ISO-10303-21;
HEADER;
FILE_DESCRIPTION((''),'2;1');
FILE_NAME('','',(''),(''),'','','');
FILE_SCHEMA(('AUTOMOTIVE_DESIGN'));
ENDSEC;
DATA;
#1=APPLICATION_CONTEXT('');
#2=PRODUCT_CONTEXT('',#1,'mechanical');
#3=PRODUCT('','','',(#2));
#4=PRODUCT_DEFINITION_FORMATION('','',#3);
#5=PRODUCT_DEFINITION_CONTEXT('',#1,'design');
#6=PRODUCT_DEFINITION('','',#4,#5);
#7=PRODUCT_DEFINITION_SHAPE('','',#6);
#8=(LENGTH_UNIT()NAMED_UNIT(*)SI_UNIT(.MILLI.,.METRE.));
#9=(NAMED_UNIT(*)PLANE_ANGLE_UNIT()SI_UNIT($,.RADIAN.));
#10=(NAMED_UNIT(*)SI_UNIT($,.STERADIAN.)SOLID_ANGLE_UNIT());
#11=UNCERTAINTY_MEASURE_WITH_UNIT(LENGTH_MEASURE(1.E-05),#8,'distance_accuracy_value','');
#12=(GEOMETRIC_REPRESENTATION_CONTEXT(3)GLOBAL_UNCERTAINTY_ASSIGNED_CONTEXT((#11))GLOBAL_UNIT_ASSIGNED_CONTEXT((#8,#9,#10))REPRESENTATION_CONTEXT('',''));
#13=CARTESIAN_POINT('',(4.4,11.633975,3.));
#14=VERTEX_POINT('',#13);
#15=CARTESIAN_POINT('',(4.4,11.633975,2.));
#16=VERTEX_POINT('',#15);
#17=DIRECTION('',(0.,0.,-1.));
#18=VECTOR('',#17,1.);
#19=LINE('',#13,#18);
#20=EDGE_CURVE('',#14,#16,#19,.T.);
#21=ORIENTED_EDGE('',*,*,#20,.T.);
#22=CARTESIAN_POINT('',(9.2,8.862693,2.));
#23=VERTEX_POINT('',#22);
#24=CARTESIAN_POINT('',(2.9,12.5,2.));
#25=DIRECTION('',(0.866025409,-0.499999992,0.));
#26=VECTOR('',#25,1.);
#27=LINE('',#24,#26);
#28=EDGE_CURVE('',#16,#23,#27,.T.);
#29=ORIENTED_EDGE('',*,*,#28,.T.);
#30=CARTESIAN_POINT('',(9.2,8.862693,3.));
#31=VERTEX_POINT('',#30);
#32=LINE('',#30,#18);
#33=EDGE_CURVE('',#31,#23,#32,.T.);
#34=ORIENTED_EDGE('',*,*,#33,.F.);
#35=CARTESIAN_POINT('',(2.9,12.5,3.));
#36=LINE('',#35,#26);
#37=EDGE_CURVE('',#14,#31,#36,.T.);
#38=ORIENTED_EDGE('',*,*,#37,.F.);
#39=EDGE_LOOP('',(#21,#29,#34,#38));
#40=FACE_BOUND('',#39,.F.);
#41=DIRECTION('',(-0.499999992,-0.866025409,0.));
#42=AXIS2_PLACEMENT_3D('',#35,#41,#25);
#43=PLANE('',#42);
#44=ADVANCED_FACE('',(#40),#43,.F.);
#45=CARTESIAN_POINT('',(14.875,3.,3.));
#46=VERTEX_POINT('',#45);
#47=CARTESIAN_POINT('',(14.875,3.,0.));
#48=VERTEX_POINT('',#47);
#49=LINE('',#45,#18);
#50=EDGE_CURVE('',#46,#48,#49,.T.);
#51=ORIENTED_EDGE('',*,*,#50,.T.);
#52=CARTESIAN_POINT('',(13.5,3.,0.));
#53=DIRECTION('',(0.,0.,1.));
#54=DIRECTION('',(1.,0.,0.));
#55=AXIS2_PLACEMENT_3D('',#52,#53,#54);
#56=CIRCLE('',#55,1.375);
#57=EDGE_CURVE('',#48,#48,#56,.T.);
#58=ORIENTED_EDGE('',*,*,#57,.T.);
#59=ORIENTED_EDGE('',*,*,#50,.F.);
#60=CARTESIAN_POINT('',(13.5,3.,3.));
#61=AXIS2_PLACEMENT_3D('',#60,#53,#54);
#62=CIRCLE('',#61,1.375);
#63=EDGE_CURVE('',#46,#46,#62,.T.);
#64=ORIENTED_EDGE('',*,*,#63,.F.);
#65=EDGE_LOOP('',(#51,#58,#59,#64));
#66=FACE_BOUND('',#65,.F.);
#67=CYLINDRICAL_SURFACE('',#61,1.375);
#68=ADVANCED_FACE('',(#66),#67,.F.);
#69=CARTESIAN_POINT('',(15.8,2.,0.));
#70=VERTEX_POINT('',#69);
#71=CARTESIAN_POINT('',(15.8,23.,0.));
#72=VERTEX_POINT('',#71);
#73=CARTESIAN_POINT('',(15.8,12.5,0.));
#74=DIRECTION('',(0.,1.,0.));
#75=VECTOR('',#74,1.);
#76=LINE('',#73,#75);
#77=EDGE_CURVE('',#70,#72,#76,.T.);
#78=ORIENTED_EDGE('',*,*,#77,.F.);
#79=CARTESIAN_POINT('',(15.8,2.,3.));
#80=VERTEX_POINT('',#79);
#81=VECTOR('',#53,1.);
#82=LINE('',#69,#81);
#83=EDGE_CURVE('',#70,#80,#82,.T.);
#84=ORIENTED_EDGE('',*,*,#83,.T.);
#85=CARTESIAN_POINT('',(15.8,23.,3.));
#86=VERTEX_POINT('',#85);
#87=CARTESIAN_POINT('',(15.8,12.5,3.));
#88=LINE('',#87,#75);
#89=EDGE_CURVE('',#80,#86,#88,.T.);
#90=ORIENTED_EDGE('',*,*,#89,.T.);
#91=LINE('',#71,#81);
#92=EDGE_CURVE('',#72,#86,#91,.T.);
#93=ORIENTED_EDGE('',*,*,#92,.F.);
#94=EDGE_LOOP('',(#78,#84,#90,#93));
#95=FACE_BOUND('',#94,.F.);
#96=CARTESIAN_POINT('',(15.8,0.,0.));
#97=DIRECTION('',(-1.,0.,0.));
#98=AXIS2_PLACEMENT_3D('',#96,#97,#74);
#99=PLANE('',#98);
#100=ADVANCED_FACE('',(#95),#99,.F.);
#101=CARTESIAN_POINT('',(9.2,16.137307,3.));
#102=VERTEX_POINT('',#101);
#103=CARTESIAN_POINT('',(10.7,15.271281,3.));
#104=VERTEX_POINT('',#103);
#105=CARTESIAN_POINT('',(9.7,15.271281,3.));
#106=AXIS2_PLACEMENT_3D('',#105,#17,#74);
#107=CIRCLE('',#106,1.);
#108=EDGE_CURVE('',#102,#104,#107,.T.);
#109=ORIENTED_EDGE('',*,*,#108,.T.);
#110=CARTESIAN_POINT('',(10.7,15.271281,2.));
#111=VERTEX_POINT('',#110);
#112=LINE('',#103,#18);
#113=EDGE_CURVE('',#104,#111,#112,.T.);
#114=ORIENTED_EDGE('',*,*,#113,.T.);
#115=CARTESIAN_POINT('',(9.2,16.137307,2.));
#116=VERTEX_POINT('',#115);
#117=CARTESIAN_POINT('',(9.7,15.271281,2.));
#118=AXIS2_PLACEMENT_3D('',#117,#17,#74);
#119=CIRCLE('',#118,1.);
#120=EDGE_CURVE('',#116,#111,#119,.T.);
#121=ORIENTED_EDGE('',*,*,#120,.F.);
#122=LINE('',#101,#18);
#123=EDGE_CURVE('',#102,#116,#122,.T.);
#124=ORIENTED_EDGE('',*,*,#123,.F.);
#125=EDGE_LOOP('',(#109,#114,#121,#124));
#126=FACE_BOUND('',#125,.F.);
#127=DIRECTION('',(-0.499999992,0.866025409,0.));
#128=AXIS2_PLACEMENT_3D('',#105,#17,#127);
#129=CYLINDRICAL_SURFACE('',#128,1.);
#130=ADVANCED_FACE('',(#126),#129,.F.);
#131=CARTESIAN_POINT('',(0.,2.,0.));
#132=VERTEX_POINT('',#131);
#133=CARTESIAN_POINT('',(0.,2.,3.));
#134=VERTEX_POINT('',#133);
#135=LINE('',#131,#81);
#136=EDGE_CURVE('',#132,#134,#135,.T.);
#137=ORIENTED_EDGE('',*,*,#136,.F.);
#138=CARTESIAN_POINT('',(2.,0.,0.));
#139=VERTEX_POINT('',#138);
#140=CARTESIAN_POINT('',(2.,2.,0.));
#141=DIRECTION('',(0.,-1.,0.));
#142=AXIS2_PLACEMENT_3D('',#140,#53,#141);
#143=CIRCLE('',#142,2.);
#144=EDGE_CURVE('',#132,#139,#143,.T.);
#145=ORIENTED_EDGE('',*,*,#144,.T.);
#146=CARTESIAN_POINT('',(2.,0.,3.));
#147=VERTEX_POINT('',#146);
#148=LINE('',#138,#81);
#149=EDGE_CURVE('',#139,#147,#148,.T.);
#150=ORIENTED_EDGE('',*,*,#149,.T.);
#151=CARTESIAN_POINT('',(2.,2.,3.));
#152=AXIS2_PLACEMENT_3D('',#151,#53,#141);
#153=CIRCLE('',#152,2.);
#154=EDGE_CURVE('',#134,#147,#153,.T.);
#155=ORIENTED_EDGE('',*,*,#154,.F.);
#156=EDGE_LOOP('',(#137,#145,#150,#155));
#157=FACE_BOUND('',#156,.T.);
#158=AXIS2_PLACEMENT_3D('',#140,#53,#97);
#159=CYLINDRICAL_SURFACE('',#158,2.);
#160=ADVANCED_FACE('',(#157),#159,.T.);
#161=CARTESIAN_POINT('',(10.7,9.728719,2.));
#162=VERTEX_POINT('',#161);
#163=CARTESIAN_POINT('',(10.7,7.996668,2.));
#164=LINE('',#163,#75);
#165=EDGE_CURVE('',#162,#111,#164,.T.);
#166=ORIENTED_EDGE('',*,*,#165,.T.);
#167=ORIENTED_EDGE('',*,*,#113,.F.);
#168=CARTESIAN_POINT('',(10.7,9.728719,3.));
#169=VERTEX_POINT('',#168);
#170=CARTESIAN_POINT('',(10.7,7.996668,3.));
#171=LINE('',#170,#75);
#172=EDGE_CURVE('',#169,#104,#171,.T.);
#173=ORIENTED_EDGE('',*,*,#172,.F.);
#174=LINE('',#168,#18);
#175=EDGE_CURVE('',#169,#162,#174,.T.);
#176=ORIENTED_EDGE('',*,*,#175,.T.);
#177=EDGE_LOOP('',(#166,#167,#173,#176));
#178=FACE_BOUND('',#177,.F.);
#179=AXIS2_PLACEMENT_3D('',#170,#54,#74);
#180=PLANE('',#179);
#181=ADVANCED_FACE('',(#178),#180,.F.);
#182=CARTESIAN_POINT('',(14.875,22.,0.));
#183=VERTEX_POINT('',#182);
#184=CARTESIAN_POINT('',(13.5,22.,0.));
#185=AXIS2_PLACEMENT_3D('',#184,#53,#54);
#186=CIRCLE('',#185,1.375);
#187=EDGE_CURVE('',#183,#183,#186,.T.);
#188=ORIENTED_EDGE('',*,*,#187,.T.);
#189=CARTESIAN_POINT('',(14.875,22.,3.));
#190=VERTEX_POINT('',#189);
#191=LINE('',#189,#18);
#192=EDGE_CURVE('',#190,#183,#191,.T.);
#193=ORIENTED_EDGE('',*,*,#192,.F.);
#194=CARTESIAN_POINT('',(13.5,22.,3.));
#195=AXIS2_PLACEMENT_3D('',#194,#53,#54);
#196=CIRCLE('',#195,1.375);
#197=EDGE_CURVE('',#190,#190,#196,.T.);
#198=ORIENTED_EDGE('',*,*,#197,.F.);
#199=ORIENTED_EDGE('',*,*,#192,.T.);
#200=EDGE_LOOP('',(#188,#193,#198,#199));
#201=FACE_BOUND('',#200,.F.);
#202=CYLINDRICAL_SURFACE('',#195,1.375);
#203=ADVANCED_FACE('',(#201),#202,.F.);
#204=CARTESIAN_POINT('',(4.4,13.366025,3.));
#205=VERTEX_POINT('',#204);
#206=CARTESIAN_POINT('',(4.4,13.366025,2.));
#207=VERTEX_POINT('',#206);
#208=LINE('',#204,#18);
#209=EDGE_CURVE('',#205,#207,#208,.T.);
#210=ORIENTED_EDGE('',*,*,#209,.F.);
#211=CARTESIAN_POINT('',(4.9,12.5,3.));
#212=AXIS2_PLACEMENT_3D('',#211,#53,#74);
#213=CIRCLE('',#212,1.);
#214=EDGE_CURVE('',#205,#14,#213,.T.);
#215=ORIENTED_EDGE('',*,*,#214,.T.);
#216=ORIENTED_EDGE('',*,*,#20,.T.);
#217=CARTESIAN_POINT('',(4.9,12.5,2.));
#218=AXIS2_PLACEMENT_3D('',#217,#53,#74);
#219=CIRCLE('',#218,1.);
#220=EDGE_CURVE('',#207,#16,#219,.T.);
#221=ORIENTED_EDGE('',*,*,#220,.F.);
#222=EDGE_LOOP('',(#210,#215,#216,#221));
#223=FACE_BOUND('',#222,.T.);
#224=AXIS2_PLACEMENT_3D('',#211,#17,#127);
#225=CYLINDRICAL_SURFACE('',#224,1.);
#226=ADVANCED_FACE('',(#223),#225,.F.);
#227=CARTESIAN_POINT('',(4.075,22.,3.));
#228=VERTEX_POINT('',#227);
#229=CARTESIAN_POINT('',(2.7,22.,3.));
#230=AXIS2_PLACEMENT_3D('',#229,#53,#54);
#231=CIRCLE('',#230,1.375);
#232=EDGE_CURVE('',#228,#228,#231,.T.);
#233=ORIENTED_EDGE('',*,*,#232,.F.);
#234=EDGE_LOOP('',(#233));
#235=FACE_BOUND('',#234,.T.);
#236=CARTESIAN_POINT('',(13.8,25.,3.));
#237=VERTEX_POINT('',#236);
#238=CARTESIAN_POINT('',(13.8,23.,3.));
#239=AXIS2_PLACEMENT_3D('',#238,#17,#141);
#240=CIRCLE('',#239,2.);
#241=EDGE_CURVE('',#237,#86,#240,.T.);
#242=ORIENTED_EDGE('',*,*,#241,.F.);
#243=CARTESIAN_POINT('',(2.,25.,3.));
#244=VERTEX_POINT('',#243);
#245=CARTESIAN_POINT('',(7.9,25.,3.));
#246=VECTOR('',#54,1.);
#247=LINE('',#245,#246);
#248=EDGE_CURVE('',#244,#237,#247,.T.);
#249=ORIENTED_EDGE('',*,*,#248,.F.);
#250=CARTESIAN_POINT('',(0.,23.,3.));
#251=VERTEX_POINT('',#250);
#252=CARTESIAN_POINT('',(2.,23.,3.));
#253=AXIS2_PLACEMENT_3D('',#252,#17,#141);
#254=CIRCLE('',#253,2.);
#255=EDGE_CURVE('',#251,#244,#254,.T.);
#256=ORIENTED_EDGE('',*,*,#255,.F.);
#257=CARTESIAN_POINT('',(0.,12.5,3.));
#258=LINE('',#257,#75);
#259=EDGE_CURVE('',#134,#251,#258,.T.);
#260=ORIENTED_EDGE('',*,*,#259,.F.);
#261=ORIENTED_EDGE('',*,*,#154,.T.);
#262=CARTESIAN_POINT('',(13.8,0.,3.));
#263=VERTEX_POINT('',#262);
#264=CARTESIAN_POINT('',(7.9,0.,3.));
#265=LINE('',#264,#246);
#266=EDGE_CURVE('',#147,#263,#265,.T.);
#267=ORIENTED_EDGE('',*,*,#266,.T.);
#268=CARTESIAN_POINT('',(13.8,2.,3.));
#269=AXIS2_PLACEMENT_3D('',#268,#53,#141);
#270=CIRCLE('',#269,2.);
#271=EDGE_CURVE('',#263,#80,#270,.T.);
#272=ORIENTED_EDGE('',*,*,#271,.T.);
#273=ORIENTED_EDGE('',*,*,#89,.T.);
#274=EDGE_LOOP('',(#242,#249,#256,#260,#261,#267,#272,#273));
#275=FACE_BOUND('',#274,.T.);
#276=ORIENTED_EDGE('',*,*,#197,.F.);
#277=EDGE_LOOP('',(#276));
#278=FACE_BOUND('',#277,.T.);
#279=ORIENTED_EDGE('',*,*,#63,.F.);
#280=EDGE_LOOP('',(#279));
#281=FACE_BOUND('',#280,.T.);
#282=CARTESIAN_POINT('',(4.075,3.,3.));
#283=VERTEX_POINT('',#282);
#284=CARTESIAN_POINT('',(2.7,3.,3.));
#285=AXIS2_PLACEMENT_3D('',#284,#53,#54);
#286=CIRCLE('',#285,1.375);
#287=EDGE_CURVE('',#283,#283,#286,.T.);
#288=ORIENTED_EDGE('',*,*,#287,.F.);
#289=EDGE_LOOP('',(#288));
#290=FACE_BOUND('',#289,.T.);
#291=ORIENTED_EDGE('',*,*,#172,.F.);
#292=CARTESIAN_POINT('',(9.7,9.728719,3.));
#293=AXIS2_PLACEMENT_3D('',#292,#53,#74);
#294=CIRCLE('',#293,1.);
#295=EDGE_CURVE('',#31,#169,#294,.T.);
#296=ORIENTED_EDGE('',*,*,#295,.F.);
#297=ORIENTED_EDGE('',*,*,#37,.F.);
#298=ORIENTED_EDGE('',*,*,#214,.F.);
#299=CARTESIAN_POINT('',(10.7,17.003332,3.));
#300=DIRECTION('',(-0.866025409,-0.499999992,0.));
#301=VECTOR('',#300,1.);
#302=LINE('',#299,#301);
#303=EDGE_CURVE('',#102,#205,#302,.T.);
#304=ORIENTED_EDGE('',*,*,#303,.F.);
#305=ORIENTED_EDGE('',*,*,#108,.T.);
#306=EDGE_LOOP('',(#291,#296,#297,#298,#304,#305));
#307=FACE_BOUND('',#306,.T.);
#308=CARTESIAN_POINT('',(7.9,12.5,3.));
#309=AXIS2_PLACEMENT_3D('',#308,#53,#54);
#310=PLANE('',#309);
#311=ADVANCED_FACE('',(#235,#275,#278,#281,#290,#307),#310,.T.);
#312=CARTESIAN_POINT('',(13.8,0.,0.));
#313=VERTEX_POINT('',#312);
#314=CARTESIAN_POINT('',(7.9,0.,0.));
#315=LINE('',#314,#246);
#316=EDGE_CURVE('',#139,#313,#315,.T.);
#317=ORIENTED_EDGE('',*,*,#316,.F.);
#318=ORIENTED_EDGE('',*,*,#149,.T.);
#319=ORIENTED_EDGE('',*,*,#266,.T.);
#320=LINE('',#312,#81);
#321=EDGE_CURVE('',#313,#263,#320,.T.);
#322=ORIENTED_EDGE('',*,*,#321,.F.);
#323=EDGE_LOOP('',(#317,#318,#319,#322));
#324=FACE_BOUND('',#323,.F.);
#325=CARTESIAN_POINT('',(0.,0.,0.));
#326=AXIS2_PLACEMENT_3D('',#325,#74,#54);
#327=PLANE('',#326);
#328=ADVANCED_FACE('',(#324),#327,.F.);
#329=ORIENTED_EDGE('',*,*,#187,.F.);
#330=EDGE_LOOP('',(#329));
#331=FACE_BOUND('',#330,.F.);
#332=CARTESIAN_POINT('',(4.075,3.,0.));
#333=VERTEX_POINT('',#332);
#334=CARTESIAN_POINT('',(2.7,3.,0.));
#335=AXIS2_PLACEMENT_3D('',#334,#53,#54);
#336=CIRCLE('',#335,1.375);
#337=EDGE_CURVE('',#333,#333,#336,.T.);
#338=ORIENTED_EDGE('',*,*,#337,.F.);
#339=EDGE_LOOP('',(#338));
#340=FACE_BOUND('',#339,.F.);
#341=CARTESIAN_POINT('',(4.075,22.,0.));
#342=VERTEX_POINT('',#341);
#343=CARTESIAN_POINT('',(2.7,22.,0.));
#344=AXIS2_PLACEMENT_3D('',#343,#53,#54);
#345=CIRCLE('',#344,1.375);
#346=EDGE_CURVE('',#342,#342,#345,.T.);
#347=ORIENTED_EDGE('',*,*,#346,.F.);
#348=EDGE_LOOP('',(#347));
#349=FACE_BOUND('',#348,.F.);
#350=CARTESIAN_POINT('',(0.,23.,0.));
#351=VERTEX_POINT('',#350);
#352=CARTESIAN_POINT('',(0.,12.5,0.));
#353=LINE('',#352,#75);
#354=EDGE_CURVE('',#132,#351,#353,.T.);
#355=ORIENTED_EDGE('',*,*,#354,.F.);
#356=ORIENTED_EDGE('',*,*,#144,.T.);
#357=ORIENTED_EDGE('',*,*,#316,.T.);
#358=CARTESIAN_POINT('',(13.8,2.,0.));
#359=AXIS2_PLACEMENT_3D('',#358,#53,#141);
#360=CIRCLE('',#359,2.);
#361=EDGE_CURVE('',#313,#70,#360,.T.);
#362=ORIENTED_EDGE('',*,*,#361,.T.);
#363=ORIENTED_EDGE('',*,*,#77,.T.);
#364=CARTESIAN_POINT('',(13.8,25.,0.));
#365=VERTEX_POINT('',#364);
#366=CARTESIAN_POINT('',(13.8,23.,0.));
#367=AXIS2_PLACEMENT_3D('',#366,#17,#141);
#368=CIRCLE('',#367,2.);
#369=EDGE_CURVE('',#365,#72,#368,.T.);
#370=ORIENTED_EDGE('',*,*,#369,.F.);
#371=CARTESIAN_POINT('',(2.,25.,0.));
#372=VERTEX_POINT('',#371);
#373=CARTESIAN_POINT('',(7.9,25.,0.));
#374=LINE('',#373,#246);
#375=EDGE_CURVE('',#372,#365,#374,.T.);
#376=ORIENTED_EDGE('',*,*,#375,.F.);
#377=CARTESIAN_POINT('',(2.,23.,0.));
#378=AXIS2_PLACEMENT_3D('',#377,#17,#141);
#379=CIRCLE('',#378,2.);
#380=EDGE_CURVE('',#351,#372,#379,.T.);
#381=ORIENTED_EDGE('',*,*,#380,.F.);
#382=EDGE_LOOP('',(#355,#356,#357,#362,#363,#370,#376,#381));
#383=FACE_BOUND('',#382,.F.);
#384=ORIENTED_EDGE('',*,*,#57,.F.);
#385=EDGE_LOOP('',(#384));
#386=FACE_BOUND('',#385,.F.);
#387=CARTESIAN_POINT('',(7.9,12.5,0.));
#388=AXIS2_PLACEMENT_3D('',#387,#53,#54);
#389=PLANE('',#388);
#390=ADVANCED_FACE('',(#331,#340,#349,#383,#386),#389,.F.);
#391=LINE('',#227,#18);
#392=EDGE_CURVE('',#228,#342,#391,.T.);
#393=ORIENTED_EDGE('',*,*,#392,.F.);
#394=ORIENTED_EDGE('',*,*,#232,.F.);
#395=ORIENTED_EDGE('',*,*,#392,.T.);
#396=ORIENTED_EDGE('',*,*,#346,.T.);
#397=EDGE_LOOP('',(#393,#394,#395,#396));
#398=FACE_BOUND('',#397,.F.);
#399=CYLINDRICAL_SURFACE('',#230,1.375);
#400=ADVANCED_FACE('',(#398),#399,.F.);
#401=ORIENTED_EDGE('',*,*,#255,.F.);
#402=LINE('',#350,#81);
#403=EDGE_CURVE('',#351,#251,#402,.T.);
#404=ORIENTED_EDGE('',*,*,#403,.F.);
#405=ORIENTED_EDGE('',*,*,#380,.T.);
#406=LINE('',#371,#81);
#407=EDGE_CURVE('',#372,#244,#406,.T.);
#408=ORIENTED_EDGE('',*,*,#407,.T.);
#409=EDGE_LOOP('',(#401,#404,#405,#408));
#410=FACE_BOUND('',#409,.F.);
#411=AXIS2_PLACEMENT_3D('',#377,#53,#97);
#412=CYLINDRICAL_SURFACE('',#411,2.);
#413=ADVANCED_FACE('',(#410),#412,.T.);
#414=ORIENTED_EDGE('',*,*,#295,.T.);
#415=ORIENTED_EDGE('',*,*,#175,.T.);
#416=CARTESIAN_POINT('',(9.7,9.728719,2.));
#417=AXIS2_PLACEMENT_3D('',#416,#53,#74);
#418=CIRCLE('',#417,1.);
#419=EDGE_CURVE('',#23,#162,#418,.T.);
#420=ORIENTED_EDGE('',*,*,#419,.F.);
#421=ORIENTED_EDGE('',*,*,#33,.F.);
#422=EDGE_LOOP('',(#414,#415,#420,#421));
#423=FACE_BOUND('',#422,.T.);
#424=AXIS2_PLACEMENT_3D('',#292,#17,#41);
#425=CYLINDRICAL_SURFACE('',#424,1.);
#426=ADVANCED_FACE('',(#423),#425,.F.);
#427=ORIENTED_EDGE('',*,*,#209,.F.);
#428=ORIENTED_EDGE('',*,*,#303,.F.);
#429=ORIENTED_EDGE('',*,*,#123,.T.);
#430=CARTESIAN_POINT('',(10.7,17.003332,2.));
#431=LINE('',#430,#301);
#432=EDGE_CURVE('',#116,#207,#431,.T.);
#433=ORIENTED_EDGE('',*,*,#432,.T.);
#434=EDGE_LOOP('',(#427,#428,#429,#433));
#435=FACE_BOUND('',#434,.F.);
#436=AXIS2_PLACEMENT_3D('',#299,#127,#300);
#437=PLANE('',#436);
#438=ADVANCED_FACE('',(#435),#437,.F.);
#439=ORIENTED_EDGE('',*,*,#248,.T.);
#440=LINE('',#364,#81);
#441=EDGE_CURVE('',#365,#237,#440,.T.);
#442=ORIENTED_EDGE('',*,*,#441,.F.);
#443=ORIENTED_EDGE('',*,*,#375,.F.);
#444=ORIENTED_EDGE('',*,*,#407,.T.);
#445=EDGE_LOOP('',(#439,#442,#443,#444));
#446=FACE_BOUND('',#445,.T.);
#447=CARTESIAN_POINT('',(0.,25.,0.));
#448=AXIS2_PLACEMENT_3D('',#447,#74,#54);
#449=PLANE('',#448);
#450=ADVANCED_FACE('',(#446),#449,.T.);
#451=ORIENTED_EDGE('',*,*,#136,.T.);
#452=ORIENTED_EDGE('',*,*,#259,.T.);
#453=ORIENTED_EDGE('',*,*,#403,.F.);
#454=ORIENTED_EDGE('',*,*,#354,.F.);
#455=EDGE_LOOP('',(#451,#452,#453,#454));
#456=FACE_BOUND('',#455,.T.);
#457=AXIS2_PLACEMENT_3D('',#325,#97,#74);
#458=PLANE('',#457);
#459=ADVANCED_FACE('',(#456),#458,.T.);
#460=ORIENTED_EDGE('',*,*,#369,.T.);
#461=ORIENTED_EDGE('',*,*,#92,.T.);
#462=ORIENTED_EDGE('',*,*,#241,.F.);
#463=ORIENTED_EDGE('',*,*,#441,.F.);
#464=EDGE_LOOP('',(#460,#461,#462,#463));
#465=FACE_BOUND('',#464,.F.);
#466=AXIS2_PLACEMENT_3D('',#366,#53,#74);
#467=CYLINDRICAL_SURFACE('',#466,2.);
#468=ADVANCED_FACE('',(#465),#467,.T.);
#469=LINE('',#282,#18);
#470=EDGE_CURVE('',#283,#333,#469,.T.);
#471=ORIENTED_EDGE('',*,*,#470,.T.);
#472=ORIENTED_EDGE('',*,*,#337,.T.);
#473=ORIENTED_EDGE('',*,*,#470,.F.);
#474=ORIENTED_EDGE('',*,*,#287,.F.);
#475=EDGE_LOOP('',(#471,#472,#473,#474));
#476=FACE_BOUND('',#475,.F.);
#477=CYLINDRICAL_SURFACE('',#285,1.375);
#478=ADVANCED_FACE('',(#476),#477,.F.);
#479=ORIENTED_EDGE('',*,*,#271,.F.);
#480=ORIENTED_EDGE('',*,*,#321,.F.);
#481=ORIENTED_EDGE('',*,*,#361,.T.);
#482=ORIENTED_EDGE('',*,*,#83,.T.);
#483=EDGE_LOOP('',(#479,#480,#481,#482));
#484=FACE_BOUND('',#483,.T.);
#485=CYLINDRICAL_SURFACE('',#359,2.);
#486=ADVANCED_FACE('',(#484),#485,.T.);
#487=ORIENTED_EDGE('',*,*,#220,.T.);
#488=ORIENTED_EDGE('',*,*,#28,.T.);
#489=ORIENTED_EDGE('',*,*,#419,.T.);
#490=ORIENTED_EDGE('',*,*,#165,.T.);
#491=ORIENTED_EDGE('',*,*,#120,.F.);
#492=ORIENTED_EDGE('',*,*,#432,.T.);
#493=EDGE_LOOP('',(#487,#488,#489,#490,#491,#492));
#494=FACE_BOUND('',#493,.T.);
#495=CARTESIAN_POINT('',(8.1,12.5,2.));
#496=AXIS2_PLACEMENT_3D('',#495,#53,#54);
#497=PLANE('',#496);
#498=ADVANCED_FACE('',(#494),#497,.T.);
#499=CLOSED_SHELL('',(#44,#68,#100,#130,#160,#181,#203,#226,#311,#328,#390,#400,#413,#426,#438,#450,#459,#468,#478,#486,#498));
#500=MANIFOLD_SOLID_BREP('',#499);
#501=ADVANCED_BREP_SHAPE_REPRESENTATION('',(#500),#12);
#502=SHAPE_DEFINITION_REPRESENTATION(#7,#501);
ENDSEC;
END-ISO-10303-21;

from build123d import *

# Parameters (mm, degrees)
F0_W      = 15.8
F0_H      = 25
F1_DEPTH  = 3
F3_R      = 1.375
F4_R      = 1.375
F7_DEPTH  = 5
F5_R      = 1.375
F8_DEPTH  = 5
F6_R      = 1.375
F9_DEPTH  = 5
F10_R     = 2
F12_DEPTH = 1
F13_R     = 1


with BuildPart() as f1:
    # F0 (on Top) → F1 (new body)
    with BuildSketch(Plane.XY):
        with Locations((7.9, 12.5)):
            Rectangle(F0_W, F0_H)
    extrude(amount=F1_DEPTH)

    # F3 (on face) + F4 (on face) → F7 (cut)
    with BuildSketch(Plane.XY.offset(3)):
        with Locations((13.5, 3)):
            Circle(F3_R)
    with BuildSketch(Plane.XY.offset(3)):
        with Locations((2.7, 3)):
            Circle(F4_R)
    extrude(amount=-F7_DEPTH, mode=Mode.SUBTRACT)

    # F5 (on face) → F8 (cut)
    with BuildSketch(Plane.XY.offset(3)):
        with Locations((2.7, 22)):
            Circle(F5_R)
    extrude(amount=-F8_DEPTH, mode=Mode.SUBTRACT)

    # F6 (on face) → F9 (cut)
    with BuildSketch(Plane.XY.offset(3)):
        with Locations((13.5, 22)):
            Circle(F6_R)
    extrude(amount=-F9_DEPTH, mode=Mode.SUBTRACT)

    # F10
    f10_edges = [f1.edges().sort_by_distance(p)[0] for p in [
        (15.8, 25, 1.5),
        (15.8, 0, 1.5),
        (0, 0, 1.5),
        (0, 25, 1.5),
    ]]
    fillet(f10_edges, radius=F10_R)

    # F11 (on face) → F12 (cut)
    with BuildSketch(Plane.XY.offset(3)):
        Polygon((10.7, 17.003332), (2.9, 12.5), (10.7, 7.996668), align=None)
    extrude(amount=-F12_DEPTH, mode=Mode.SUBTRACT)

    # F13
    f13_edges = [f1.edges().sort_by_distance(p)[0] for p in [
        (2.9, 12.5, 2.5),
        (10.7, 17.003332, 2.5),
        (10.7, 7.996668, 2.5),
    ]]
    fillet(f13_edges, radius=F13_R)


solid = f1.part
